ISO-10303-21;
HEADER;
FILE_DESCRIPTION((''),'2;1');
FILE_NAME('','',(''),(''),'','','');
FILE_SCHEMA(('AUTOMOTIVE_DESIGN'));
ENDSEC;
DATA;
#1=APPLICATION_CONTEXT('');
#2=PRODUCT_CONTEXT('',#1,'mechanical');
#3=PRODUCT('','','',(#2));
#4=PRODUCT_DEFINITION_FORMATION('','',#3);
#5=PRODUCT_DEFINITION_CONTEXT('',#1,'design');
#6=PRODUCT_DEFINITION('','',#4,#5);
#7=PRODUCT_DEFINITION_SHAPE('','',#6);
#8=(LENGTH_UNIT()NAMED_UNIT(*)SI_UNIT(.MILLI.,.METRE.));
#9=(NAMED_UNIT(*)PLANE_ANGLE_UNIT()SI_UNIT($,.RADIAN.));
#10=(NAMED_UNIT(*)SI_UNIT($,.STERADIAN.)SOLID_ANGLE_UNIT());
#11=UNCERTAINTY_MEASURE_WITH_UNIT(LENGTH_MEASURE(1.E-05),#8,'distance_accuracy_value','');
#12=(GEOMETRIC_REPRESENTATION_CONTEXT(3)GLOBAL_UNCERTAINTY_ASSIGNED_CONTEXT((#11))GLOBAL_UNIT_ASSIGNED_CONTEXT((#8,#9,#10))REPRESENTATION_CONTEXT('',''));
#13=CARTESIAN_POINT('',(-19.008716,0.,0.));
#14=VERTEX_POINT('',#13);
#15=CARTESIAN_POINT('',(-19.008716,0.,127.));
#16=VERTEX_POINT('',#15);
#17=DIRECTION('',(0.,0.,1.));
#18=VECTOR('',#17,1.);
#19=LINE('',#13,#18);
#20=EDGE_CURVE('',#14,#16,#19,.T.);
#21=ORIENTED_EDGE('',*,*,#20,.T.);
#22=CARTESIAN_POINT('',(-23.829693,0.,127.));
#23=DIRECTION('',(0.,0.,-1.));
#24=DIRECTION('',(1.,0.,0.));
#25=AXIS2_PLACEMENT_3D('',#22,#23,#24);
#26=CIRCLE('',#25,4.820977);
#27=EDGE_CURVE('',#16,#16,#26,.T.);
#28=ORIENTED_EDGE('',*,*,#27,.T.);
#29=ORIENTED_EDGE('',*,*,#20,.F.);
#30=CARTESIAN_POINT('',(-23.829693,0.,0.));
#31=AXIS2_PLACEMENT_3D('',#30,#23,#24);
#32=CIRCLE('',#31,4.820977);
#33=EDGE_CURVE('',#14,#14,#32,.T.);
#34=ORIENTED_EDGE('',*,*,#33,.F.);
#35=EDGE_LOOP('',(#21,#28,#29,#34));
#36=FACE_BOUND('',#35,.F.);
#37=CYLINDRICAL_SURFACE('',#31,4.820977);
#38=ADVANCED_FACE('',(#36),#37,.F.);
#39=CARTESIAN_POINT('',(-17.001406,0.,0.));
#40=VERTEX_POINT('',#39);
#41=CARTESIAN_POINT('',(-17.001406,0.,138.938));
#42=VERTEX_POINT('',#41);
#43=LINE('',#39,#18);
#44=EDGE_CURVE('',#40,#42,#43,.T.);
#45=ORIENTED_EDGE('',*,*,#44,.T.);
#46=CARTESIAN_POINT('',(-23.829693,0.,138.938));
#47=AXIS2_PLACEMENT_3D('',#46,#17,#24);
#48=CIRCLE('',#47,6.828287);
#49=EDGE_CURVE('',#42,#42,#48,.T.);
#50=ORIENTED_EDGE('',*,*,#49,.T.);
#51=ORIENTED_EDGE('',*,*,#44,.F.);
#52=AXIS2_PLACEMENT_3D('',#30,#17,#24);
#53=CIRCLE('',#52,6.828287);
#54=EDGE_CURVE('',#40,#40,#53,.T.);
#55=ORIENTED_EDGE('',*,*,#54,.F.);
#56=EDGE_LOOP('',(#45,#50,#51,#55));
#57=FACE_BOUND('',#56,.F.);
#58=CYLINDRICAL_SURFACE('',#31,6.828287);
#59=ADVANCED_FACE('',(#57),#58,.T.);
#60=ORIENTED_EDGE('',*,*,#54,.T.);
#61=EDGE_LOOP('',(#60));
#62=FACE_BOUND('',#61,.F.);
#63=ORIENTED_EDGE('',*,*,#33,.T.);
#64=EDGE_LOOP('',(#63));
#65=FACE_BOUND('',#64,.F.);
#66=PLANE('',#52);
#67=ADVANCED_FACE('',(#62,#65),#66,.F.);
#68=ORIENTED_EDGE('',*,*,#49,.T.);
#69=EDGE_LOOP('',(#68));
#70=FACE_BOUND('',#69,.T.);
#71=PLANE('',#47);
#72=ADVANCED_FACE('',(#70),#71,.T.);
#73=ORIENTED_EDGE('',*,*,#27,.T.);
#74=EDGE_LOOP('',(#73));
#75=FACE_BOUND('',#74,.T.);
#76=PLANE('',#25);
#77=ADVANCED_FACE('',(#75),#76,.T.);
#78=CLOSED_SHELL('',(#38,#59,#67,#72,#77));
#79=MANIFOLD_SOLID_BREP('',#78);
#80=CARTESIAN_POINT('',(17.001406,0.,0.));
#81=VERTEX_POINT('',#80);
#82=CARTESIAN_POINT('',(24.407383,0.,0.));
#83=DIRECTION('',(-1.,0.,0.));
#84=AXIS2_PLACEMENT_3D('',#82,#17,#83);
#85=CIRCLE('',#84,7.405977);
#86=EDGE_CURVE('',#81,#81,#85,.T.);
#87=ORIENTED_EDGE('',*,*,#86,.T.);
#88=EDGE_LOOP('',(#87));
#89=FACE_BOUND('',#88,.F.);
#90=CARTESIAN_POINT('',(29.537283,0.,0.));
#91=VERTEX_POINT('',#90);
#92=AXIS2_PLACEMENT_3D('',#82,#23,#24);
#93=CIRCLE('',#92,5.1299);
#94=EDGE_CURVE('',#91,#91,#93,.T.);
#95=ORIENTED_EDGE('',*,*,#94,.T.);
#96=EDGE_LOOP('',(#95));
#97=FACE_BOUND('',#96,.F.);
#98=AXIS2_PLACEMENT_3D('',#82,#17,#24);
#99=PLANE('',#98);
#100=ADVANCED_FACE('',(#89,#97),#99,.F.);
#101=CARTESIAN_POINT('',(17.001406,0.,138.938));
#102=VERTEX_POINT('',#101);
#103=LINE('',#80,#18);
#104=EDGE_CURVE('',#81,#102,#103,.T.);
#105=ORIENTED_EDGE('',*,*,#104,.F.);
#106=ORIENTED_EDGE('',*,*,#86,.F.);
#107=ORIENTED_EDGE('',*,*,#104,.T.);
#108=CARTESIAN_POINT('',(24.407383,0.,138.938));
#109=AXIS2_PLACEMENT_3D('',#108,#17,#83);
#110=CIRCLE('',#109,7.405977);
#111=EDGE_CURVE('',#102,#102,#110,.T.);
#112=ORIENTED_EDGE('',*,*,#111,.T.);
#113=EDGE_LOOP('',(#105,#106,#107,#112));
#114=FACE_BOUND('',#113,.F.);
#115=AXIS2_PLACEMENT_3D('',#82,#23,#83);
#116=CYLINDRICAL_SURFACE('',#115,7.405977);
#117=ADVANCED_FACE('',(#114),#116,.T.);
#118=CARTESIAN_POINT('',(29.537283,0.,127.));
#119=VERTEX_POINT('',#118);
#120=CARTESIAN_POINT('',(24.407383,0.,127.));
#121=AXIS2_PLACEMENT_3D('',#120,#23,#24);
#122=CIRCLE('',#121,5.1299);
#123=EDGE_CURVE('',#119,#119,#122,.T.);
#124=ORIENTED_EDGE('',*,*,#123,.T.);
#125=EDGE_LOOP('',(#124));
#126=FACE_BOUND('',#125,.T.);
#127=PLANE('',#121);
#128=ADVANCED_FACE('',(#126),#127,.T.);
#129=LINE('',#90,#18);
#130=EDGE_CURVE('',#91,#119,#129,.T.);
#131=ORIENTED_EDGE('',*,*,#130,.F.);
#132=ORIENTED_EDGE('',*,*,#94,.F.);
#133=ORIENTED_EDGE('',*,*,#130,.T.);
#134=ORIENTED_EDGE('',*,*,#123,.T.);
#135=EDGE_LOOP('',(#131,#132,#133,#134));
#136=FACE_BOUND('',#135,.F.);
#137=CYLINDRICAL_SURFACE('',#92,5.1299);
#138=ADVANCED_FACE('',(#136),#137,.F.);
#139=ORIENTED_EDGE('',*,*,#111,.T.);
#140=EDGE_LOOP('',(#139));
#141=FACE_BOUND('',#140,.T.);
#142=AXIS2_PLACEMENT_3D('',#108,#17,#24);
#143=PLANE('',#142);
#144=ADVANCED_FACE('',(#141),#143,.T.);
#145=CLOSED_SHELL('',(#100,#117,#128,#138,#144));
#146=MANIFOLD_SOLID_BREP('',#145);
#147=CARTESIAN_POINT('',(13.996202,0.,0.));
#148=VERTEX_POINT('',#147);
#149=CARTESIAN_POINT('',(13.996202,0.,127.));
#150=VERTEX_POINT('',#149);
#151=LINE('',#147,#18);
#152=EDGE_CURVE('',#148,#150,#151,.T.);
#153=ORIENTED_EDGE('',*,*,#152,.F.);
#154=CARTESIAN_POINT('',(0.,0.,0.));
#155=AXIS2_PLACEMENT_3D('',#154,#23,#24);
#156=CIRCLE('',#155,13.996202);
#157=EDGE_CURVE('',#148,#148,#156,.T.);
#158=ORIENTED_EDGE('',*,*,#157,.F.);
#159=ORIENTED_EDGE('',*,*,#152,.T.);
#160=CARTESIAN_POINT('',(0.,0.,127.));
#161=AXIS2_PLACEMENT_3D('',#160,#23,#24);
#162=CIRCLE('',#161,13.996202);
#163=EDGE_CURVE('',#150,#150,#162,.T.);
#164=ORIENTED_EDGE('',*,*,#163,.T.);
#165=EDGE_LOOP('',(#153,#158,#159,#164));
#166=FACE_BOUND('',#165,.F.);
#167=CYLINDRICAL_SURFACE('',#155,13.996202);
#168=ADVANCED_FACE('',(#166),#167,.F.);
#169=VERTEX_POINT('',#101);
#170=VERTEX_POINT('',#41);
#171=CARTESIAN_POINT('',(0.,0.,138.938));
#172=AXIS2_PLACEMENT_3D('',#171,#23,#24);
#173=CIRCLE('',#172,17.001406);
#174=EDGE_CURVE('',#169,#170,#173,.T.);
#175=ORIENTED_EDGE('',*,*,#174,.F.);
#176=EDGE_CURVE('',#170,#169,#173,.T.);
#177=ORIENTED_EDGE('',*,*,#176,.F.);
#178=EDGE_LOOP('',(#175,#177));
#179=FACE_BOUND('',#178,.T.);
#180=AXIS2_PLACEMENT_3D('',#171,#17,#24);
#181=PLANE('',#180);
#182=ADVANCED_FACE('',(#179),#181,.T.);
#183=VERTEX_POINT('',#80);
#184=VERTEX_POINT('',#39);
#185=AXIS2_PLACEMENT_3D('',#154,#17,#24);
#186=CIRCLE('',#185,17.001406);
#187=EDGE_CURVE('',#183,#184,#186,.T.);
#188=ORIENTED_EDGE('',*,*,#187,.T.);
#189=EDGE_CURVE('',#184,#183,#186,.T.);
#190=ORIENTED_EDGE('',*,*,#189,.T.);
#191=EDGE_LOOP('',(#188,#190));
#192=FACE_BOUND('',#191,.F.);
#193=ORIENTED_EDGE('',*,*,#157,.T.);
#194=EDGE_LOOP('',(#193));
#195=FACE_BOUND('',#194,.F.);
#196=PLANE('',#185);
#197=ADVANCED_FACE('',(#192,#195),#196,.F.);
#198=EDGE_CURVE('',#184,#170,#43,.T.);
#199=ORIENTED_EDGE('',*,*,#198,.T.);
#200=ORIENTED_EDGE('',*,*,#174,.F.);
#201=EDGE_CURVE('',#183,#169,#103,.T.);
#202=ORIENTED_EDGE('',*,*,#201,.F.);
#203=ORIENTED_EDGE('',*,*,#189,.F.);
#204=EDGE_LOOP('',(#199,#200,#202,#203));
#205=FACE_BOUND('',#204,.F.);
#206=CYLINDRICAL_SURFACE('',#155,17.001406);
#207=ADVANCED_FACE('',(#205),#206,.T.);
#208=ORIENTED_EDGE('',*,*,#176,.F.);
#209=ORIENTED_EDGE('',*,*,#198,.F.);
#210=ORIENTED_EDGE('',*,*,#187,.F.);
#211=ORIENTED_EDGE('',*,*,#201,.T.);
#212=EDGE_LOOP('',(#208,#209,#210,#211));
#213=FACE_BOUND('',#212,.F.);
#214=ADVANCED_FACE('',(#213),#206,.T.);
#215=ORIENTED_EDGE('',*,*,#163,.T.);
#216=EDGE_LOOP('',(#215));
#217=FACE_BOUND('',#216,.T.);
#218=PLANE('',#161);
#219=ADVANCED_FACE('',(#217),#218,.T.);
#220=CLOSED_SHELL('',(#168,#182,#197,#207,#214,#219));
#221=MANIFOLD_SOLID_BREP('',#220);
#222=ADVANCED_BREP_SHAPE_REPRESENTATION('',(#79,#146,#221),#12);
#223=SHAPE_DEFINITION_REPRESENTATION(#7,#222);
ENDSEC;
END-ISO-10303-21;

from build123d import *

# Parameters (mm, degrees)
F0_R     = 6.828287
F1_DEPTH = 138.938
F2_R     = 13.996202
F3_DEPTH = 127
F4_R     = 5.1299
F5_DEPTH = 127
F6_R     = 4.820977
F7_DEPTH = 127


with BuildPart() as f1:
    # F0 (on Top) → F1 (new body)
    with BuildSketch(Plane.XY):
        with BuildLine():
            ThreePointArc((-17.001406, 0), (0, -17.001406), (17.001406, 0))
            ThreePointArc((17.001406, 0), (0, 17.001406), (-17.001406, 0))
        make_face()
        with BuildLine():
            ThreePointArc((31.81336, 0), (24.407383, 7.405977), (17.001406, 0))
            ThreePointArc((17.001406, 0), (24.407383, -7.405977), (31.81336, 0))
        make_face()
        with Locations((-23.829693, 0)):
            Circle(F0_R)
    extrude(amount=F1_DEPTH)

    # F2 (on face) → F3 (cut)
    with BuildSketch(Plane(origin=(0, 0, 0), x_dir=(1, 0, 0), z_dir=(0, 0, -1))):
        Circle(F2_R)
    extrude(amount=-F3_DEPTH, mode=Mode.SUBTRACT)

    # F4 (on face) → F5 (cut)
    with BuildSketch(Plane(origin=(0, 0, 0), x_dir=(1, 0, 0), z_dir=(0, 0, -1))):
        with Locations((24.407383, 0)):
            Circle(F4_R)
    extrude(amount=-F5_DEPTH, mode=Mode.SUBTRACT)

    # F6 (on face) → F7 (cut)
    with BuildSketch(Plane(origin=(0, 0, 0), x_dir=(1, 0, 0), z_dir=(0, 0, -1))):
        with Locations((-23.829693, 0)):
            Circle(F6_R)
    extrude(amount=-F7_DEPTH, mode=Mode.SUBTRACT)


solid = f1.part
